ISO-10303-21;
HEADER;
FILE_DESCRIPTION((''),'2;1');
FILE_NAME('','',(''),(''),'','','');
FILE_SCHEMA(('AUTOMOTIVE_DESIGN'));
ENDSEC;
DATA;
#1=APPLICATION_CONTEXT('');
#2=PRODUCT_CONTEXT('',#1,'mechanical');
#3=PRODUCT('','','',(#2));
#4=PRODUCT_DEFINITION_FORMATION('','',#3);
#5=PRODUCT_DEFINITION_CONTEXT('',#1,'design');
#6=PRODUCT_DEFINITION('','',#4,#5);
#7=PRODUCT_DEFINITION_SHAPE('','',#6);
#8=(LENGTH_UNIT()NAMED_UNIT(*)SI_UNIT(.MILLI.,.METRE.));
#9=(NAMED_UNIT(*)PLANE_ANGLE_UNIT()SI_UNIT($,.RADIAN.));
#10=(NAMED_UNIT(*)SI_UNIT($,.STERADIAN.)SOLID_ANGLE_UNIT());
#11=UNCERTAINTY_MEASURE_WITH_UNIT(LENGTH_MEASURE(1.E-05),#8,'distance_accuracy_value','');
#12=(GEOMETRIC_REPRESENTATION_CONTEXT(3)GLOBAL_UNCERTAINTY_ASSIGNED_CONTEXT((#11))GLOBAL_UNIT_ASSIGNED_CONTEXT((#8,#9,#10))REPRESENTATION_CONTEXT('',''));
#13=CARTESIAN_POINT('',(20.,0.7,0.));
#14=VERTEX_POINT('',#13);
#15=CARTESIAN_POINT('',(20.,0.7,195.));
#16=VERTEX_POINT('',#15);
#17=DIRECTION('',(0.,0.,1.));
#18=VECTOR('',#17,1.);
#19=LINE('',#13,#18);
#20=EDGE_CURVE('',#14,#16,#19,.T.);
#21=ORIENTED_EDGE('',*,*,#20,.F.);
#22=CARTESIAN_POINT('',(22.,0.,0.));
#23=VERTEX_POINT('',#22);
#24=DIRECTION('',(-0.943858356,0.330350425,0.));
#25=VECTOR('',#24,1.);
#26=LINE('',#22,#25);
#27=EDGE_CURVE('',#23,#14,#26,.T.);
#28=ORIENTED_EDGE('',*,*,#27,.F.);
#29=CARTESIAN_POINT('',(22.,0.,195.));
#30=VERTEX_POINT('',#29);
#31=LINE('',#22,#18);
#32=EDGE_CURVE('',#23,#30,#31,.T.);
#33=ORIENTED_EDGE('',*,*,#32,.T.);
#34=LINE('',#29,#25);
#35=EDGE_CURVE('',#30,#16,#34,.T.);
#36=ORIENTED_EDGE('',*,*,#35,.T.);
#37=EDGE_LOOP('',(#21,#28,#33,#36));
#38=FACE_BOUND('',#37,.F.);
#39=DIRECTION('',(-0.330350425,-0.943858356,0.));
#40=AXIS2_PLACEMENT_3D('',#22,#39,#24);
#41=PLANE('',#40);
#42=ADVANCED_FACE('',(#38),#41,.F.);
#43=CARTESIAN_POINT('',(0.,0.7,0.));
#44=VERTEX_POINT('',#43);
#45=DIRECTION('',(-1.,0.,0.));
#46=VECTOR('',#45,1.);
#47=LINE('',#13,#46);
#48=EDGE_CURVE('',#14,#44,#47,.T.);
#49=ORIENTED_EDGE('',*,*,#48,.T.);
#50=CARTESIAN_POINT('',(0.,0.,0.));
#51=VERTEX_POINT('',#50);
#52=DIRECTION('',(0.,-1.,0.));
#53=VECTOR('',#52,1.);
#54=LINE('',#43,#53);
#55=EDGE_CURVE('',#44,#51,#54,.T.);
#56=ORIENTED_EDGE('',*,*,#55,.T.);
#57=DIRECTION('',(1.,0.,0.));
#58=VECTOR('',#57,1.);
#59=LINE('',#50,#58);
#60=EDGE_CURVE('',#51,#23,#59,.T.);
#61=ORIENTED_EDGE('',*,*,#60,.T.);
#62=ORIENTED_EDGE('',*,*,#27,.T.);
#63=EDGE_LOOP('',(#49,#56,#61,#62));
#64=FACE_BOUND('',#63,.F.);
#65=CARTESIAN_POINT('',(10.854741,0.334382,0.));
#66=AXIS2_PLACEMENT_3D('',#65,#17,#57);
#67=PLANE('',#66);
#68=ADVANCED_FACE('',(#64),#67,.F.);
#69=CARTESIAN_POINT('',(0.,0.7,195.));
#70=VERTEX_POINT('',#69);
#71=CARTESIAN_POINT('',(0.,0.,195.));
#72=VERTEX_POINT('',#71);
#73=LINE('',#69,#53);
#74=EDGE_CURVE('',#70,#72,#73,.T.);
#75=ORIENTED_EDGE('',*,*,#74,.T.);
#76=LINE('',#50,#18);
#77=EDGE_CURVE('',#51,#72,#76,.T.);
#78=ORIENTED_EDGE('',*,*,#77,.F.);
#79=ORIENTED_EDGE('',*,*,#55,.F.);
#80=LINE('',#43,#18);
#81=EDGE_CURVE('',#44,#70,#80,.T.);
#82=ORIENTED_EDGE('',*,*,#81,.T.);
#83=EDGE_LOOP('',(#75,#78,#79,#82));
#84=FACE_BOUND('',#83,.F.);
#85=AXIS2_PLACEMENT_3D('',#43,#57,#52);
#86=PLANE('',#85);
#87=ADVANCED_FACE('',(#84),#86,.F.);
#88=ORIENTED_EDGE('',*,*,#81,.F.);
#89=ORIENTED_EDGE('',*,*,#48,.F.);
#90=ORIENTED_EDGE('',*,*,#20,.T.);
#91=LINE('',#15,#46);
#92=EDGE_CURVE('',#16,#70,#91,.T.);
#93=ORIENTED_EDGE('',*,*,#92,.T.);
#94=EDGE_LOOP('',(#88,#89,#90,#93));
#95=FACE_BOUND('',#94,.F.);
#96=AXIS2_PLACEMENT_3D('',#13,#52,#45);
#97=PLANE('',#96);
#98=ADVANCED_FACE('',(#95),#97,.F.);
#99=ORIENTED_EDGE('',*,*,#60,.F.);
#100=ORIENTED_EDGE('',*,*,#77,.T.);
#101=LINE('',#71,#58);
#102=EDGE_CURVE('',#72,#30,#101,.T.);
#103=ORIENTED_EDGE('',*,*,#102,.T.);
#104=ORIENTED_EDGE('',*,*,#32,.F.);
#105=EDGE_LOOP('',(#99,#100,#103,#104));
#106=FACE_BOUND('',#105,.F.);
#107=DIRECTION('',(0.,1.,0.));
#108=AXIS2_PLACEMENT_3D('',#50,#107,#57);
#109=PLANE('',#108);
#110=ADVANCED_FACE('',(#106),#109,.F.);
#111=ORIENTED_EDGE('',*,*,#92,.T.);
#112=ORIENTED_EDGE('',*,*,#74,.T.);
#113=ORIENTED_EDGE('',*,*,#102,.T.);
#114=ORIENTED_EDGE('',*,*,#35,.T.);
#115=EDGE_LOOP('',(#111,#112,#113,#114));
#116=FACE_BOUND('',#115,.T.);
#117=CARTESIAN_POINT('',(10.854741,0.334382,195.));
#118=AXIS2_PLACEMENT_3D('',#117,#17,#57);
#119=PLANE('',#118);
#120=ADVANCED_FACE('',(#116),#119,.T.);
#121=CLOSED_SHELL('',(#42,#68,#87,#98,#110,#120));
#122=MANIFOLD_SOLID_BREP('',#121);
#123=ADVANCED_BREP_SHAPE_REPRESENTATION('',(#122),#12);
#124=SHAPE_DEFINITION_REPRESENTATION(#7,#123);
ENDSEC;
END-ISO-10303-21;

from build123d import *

# Parameters (mm, degrees)
SALIENTE_EXTRUIR1_DEPTH = 195


with BuildPart() as part:
    # Croquis1 → Saliente-Extruir1 (new body)
    with BuildSketch(Plane.XY):
        Polygon((0, 0), (22, 0), (20, 0.7), (0, 0.7), align=None)
    extrude(amount=SALIENTE_EXTRUIR1_DEPTH)


solid = part.part
